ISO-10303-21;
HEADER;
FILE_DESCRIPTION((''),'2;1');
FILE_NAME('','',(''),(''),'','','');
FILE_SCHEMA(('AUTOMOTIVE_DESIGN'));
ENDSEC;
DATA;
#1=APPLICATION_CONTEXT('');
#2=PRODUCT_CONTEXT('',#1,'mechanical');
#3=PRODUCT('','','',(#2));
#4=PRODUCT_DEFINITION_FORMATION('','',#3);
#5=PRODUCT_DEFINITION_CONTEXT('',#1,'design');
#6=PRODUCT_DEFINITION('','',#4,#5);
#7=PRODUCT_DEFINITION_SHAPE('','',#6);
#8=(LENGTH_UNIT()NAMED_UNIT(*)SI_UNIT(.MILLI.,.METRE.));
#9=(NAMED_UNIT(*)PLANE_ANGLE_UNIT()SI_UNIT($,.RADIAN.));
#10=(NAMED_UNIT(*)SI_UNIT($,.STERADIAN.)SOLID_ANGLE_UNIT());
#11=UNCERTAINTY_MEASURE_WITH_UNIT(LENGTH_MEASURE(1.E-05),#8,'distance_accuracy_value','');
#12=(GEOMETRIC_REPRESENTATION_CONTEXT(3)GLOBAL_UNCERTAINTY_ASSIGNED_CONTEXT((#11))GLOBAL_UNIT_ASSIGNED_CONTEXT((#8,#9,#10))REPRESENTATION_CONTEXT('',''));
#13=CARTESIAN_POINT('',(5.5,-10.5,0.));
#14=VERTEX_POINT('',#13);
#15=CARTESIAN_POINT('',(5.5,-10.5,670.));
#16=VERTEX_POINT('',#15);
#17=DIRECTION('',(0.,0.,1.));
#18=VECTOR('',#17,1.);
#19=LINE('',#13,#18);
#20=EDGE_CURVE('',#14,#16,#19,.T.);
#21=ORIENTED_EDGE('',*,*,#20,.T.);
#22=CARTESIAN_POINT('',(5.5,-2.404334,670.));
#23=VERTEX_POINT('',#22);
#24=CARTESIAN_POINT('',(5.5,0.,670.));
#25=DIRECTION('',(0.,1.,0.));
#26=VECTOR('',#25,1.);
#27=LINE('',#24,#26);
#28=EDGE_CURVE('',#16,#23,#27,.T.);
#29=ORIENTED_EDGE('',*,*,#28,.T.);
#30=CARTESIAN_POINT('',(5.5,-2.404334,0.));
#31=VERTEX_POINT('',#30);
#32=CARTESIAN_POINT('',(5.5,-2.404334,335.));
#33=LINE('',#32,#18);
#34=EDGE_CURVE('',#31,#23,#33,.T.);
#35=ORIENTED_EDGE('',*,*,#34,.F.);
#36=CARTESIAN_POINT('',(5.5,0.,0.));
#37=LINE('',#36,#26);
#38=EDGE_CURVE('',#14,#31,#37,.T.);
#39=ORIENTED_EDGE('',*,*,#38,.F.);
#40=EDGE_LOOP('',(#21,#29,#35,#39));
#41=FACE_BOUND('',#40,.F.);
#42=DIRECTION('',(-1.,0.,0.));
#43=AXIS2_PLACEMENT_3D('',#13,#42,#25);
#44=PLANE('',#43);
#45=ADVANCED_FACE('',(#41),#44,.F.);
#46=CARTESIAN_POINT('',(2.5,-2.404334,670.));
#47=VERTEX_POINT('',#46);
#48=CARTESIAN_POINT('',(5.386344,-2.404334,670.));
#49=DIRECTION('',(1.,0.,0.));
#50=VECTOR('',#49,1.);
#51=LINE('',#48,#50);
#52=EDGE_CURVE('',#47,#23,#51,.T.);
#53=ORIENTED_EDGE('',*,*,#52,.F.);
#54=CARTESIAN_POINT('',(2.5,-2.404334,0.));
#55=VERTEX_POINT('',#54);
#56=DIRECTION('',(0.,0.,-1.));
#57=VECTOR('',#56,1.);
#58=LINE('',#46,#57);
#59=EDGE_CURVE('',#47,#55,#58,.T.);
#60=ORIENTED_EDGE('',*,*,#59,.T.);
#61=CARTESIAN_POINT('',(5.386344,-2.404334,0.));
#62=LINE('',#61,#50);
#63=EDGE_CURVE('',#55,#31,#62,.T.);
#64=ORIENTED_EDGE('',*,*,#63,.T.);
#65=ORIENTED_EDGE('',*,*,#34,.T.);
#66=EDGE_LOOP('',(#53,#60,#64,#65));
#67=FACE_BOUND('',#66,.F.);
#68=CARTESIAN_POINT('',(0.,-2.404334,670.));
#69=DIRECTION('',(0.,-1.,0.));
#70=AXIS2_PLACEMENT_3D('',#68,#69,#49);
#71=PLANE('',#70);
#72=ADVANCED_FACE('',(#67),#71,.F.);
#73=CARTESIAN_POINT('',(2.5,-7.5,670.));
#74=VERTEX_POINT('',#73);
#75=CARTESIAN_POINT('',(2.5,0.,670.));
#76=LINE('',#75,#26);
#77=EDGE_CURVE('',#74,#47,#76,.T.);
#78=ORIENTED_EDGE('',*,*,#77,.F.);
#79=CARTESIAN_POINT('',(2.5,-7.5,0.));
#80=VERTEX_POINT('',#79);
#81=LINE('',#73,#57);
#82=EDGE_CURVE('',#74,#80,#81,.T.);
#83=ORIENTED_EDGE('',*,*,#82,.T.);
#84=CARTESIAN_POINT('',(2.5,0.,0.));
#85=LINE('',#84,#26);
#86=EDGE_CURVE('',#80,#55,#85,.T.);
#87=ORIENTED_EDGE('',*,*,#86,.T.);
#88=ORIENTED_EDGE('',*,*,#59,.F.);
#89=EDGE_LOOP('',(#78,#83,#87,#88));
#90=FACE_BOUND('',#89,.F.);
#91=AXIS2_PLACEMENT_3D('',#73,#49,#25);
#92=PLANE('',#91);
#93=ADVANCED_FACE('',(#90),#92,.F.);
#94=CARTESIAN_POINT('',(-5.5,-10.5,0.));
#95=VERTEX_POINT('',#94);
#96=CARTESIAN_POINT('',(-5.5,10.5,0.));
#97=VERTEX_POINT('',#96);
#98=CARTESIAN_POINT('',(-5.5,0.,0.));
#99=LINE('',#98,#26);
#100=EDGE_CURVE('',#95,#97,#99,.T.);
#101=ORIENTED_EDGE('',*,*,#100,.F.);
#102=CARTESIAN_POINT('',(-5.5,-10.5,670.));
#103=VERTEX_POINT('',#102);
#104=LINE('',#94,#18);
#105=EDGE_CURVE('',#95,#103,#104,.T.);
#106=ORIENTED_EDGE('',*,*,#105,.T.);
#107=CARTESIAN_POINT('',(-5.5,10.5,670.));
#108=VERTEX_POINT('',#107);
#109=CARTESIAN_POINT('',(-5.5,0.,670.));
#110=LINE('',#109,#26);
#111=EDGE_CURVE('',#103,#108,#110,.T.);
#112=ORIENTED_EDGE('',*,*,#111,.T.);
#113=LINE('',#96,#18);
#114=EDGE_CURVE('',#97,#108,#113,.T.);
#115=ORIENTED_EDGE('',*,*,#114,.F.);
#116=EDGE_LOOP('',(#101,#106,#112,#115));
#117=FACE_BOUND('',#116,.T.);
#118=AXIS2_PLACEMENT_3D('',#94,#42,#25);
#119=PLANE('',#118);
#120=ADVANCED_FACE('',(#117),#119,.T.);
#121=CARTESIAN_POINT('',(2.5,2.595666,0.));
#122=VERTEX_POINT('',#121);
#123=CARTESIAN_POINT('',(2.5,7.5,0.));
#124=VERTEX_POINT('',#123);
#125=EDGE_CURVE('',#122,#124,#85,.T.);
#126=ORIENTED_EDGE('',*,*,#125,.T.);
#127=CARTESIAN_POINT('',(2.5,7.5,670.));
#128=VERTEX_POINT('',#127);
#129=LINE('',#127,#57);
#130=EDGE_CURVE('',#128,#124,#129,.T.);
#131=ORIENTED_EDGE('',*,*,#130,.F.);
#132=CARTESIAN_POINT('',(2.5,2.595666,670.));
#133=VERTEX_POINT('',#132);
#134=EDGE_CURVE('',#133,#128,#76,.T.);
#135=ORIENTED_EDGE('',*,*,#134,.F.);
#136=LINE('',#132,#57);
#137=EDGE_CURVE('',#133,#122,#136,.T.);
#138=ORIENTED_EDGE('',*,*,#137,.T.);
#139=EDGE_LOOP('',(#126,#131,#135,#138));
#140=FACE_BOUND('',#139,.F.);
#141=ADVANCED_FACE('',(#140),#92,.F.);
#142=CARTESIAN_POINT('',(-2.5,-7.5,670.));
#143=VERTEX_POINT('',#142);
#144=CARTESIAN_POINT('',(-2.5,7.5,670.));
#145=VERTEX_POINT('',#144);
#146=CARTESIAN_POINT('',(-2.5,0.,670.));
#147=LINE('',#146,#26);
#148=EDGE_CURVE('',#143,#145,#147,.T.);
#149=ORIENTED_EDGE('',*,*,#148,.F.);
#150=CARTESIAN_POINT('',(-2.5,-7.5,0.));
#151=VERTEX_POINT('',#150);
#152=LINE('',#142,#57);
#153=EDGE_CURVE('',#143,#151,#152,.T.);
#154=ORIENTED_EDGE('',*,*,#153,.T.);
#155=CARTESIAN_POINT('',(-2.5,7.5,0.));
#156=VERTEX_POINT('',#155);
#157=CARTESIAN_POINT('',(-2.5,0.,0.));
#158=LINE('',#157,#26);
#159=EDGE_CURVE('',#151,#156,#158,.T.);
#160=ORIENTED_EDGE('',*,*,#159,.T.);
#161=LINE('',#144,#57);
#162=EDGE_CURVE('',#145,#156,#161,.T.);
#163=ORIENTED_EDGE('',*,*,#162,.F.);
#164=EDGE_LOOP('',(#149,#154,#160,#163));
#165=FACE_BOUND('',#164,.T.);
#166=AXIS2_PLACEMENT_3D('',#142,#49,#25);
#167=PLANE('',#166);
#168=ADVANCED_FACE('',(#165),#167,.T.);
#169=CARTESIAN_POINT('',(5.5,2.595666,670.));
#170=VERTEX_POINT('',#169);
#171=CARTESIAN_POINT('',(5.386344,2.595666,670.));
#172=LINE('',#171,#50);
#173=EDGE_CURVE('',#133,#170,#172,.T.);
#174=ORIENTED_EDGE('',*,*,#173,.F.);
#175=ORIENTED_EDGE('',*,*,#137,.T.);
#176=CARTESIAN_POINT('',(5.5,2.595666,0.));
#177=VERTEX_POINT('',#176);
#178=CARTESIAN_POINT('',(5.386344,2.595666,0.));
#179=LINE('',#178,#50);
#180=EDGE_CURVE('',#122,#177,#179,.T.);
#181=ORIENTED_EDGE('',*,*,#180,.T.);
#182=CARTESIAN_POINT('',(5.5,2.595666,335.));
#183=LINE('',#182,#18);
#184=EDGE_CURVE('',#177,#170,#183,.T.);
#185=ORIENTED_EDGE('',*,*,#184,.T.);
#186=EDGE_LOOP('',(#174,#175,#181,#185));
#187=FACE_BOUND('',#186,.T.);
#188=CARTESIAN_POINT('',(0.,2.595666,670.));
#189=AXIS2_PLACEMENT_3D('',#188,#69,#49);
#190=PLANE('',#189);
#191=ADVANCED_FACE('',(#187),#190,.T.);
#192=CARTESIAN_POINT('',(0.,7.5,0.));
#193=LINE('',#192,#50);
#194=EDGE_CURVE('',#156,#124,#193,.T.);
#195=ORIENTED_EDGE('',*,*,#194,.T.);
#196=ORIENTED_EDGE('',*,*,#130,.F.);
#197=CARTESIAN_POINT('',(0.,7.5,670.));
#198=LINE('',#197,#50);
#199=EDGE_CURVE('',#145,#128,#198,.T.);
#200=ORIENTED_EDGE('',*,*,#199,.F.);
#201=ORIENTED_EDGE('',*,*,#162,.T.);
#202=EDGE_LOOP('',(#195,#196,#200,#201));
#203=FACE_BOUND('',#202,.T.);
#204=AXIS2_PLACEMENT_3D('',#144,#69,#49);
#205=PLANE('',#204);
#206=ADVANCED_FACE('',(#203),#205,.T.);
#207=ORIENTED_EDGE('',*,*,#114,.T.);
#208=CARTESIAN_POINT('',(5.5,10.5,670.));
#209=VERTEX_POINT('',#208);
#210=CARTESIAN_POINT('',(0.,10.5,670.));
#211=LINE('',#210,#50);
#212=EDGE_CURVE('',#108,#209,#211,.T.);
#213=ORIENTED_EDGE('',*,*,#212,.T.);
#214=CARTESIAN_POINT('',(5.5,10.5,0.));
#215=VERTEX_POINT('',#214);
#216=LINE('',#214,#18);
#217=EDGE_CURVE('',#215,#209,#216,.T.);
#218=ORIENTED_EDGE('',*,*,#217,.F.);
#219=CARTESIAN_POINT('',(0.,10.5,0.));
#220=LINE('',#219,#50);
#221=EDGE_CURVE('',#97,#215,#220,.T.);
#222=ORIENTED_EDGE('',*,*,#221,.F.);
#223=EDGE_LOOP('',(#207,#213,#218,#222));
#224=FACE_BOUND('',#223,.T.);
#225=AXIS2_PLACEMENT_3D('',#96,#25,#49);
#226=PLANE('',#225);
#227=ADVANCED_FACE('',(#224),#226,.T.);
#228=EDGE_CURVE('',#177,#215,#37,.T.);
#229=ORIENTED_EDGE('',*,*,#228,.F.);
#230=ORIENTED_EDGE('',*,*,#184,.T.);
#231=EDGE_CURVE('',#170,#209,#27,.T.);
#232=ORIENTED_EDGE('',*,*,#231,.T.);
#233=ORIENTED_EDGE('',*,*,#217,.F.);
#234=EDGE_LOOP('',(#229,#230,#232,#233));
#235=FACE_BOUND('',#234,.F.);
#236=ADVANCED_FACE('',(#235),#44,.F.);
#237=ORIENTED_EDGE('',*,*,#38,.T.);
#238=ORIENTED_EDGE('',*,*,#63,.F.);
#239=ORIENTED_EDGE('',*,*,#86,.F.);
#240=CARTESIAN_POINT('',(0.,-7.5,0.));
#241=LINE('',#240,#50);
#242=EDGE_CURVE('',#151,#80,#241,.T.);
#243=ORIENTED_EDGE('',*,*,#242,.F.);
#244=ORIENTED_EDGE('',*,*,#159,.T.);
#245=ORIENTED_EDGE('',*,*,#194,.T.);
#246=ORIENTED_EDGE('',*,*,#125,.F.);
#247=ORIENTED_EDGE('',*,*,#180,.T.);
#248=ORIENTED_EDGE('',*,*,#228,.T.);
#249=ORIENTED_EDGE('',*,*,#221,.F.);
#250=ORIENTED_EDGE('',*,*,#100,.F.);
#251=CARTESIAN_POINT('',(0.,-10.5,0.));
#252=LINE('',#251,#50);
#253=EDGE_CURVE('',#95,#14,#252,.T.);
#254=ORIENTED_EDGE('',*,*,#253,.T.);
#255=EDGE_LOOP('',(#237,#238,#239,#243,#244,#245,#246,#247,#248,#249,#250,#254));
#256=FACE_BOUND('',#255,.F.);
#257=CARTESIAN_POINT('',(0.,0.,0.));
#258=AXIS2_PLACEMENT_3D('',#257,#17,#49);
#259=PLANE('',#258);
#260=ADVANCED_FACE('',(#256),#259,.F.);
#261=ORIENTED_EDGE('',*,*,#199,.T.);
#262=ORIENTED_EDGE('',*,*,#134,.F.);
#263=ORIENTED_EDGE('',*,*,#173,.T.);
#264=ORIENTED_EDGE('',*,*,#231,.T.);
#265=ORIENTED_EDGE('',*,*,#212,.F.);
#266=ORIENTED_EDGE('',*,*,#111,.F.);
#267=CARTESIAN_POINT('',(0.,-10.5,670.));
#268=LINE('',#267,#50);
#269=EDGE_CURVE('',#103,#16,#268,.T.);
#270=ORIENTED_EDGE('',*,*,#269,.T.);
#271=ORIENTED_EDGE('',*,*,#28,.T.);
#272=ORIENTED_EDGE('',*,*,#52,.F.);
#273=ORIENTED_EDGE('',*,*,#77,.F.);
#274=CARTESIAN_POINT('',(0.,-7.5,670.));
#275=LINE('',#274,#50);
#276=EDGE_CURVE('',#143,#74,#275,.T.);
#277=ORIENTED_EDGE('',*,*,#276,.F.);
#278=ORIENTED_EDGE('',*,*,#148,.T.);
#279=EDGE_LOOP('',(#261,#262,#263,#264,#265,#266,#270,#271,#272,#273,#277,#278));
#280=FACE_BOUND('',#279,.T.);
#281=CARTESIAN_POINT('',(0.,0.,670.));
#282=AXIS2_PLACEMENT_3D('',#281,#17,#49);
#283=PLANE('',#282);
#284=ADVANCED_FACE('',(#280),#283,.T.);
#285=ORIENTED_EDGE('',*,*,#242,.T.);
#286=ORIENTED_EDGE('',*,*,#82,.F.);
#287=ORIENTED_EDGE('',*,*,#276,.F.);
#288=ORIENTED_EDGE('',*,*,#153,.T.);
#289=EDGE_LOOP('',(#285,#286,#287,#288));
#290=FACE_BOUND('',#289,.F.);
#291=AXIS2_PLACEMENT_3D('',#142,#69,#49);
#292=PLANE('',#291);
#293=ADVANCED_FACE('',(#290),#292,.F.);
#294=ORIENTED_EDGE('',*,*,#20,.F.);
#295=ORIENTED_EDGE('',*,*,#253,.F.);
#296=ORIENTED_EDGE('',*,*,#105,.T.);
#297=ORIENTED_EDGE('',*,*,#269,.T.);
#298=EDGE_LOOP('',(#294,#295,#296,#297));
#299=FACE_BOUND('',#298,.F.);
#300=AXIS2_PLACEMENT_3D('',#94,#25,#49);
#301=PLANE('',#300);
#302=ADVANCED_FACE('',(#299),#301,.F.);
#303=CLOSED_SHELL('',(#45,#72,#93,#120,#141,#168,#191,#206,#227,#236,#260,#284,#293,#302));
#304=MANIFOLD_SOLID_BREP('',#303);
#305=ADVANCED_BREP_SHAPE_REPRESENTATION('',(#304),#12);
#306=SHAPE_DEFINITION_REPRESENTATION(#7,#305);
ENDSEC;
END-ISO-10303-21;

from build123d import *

# Parameters (mm, degrees)
F0_W     = 11
F0_H     = 21
F1_DEPTH = 670
F2_W     = 5
F2_H     = 15
F3_DEPTH = 670
F4_W     = 10.772688
F4_H     = 2.595666
F4_H_2   = 2.404334
F5_DEPTH = 670


with BuildPart() as f1:
    # F0 (on Top) → F1 (new body)
    with BuildSketch(Plane.XY):
        Rectangle(F0_W, F0_H)
    extrude(amount=F1_DEPTH)

    # F2 (on face) → F3 (cut)
    with BuildSketch(Plane.XY.offset(670)):
        Rectangle(F2_W, F2_H)
    extrude(amount=-F3_DEPTH, mode=Mode.SUBTRACT)

    # F4 (on face) → F5 (cut)
    with BuildSketch(Plane.XY.offset(670)):
        with Locations((5.386344, 1.297833)):
            Rectangle(F4_W, F4_H)
        with Locations((5.386344, -1.202167)):
            Rectangle(F4_W, F4_H_2)
    extrude(amount=-F5_DEPTH, mode=Mode.SUBTRACT)


solid = f1.part
